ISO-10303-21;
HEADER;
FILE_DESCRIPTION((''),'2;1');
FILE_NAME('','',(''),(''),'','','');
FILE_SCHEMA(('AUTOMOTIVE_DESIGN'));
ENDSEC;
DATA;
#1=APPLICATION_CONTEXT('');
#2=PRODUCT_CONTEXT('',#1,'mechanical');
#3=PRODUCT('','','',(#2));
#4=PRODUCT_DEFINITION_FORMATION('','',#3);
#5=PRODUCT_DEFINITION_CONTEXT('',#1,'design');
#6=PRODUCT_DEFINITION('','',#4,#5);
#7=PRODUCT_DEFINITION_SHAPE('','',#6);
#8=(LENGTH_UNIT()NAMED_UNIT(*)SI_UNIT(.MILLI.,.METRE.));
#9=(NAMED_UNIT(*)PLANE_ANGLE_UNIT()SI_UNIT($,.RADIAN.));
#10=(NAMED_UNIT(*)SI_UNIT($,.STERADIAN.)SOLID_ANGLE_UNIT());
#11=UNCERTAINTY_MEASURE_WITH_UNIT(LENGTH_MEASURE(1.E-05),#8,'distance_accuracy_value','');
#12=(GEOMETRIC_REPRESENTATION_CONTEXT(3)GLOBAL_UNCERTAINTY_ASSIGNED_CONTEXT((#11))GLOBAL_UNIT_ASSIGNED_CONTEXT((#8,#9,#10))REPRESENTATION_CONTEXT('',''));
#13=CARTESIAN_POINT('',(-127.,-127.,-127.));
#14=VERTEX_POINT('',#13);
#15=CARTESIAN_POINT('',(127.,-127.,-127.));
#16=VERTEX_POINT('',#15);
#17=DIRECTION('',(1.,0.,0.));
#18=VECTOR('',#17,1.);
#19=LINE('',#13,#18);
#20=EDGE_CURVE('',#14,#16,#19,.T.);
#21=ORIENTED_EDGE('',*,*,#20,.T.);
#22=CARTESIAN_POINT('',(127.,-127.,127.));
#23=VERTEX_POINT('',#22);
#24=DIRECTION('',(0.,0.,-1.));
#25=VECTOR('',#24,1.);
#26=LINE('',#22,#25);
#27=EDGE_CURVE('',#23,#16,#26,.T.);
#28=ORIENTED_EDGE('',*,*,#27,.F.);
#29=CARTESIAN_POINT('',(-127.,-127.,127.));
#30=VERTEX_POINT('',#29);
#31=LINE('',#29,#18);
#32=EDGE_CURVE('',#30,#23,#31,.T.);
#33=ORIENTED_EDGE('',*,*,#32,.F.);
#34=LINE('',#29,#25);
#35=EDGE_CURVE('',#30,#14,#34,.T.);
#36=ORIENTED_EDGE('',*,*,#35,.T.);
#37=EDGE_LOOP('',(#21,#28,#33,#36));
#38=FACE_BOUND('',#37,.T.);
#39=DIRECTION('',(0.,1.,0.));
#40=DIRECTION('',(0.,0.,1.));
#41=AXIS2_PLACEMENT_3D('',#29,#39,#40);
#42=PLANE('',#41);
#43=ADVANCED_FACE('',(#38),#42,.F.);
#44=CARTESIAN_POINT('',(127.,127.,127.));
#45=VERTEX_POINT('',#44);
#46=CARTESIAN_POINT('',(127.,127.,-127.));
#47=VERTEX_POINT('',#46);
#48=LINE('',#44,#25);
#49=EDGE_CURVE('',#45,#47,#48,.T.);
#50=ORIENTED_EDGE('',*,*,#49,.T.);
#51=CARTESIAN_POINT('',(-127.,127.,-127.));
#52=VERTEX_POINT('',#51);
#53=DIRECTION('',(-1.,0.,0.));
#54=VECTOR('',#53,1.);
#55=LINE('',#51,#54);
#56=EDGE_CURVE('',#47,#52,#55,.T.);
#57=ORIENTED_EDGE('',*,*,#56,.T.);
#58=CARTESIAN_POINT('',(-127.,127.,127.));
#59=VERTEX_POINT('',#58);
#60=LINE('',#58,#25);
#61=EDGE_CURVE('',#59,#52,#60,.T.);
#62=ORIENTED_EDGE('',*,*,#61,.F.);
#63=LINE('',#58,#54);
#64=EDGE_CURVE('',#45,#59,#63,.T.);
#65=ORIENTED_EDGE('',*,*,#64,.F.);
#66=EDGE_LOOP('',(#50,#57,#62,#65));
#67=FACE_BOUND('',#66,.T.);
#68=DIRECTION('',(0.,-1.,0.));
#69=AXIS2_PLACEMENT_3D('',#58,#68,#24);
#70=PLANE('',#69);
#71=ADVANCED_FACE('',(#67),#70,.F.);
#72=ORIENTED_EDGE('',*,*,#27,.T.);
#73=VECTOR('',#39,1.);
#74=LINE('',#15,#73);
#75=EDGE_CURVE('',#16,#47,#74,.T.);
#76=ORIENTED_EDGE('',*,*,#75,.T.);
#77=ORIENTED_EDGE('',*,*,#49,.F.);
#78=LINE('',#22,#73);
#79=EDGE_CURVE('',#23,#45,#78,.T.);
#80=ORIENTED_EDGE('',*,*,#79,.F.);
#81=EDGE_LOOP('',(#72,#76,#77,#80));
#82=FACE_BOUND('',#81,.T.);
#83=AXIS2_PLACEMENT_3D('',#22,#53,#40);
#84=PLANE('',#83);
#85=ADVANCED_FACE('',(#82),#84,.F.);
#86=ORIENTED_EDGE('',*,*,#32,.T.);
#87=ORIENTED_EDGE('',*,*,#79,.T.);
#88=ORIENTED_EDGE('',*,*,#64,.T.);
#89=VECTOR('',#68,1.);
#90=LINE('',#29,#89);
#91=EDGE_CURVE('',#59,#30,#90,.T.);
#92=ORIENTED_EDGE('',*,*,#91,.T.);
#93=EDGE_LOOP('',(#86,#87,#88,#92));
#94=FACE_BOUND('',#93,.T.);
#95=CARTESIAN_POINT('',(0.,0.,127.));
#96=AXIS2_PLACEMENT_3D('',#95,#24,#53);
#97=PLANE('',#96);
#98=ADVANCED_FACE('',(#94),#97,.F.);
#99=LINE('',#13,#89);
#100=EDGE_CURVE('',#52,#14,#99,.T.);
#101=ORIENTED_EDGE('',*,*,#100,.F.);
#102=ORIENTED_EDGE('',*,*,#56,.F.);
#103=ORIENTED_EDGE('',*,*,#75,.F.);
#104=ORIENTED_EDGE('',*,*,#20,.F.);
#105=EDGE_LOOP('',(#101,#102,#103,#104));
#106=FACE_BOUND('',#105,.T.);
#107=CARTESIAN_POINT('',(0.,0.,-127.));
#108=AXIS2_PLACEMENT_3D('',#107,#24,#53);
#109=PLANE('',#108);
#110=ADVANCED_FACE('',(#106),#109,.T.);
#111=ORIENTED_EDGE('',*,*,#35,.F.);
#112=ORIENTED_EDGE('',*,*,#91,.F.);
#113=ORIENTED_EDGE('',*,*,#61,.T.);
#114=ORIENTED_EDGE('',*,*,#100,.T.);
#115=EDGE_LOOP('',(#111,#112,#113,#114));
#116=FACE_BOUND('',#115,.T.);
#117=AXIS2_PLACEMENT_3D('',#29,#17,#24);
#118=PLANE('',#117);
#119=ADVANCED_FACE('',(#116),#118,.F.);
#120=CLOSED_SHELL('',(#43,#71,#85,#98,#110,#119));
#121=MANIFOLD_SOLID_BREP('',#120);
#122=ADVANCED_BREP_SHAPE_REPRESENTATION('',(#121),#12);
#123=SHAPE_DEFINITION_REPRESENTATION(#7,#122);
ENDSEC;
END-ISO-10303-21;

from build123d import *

# Parameters (mm, degrees)
SKETCH1_W           = 254
SKETCH1_H           = 254
BOSS_EXTRUDE1_DEPTH = 127


with BuildPart() as part:
    # Sketch1 → Boss-Extrude1 (new body, symmetric)
    with BuildSketch(Plane.XY):
        Rectangle(SKETCH1_W, SKETCH1_H)
    extrude(amount=BOSS_EXTRUDE1_DEPTH, both=True)


solid = part.part
